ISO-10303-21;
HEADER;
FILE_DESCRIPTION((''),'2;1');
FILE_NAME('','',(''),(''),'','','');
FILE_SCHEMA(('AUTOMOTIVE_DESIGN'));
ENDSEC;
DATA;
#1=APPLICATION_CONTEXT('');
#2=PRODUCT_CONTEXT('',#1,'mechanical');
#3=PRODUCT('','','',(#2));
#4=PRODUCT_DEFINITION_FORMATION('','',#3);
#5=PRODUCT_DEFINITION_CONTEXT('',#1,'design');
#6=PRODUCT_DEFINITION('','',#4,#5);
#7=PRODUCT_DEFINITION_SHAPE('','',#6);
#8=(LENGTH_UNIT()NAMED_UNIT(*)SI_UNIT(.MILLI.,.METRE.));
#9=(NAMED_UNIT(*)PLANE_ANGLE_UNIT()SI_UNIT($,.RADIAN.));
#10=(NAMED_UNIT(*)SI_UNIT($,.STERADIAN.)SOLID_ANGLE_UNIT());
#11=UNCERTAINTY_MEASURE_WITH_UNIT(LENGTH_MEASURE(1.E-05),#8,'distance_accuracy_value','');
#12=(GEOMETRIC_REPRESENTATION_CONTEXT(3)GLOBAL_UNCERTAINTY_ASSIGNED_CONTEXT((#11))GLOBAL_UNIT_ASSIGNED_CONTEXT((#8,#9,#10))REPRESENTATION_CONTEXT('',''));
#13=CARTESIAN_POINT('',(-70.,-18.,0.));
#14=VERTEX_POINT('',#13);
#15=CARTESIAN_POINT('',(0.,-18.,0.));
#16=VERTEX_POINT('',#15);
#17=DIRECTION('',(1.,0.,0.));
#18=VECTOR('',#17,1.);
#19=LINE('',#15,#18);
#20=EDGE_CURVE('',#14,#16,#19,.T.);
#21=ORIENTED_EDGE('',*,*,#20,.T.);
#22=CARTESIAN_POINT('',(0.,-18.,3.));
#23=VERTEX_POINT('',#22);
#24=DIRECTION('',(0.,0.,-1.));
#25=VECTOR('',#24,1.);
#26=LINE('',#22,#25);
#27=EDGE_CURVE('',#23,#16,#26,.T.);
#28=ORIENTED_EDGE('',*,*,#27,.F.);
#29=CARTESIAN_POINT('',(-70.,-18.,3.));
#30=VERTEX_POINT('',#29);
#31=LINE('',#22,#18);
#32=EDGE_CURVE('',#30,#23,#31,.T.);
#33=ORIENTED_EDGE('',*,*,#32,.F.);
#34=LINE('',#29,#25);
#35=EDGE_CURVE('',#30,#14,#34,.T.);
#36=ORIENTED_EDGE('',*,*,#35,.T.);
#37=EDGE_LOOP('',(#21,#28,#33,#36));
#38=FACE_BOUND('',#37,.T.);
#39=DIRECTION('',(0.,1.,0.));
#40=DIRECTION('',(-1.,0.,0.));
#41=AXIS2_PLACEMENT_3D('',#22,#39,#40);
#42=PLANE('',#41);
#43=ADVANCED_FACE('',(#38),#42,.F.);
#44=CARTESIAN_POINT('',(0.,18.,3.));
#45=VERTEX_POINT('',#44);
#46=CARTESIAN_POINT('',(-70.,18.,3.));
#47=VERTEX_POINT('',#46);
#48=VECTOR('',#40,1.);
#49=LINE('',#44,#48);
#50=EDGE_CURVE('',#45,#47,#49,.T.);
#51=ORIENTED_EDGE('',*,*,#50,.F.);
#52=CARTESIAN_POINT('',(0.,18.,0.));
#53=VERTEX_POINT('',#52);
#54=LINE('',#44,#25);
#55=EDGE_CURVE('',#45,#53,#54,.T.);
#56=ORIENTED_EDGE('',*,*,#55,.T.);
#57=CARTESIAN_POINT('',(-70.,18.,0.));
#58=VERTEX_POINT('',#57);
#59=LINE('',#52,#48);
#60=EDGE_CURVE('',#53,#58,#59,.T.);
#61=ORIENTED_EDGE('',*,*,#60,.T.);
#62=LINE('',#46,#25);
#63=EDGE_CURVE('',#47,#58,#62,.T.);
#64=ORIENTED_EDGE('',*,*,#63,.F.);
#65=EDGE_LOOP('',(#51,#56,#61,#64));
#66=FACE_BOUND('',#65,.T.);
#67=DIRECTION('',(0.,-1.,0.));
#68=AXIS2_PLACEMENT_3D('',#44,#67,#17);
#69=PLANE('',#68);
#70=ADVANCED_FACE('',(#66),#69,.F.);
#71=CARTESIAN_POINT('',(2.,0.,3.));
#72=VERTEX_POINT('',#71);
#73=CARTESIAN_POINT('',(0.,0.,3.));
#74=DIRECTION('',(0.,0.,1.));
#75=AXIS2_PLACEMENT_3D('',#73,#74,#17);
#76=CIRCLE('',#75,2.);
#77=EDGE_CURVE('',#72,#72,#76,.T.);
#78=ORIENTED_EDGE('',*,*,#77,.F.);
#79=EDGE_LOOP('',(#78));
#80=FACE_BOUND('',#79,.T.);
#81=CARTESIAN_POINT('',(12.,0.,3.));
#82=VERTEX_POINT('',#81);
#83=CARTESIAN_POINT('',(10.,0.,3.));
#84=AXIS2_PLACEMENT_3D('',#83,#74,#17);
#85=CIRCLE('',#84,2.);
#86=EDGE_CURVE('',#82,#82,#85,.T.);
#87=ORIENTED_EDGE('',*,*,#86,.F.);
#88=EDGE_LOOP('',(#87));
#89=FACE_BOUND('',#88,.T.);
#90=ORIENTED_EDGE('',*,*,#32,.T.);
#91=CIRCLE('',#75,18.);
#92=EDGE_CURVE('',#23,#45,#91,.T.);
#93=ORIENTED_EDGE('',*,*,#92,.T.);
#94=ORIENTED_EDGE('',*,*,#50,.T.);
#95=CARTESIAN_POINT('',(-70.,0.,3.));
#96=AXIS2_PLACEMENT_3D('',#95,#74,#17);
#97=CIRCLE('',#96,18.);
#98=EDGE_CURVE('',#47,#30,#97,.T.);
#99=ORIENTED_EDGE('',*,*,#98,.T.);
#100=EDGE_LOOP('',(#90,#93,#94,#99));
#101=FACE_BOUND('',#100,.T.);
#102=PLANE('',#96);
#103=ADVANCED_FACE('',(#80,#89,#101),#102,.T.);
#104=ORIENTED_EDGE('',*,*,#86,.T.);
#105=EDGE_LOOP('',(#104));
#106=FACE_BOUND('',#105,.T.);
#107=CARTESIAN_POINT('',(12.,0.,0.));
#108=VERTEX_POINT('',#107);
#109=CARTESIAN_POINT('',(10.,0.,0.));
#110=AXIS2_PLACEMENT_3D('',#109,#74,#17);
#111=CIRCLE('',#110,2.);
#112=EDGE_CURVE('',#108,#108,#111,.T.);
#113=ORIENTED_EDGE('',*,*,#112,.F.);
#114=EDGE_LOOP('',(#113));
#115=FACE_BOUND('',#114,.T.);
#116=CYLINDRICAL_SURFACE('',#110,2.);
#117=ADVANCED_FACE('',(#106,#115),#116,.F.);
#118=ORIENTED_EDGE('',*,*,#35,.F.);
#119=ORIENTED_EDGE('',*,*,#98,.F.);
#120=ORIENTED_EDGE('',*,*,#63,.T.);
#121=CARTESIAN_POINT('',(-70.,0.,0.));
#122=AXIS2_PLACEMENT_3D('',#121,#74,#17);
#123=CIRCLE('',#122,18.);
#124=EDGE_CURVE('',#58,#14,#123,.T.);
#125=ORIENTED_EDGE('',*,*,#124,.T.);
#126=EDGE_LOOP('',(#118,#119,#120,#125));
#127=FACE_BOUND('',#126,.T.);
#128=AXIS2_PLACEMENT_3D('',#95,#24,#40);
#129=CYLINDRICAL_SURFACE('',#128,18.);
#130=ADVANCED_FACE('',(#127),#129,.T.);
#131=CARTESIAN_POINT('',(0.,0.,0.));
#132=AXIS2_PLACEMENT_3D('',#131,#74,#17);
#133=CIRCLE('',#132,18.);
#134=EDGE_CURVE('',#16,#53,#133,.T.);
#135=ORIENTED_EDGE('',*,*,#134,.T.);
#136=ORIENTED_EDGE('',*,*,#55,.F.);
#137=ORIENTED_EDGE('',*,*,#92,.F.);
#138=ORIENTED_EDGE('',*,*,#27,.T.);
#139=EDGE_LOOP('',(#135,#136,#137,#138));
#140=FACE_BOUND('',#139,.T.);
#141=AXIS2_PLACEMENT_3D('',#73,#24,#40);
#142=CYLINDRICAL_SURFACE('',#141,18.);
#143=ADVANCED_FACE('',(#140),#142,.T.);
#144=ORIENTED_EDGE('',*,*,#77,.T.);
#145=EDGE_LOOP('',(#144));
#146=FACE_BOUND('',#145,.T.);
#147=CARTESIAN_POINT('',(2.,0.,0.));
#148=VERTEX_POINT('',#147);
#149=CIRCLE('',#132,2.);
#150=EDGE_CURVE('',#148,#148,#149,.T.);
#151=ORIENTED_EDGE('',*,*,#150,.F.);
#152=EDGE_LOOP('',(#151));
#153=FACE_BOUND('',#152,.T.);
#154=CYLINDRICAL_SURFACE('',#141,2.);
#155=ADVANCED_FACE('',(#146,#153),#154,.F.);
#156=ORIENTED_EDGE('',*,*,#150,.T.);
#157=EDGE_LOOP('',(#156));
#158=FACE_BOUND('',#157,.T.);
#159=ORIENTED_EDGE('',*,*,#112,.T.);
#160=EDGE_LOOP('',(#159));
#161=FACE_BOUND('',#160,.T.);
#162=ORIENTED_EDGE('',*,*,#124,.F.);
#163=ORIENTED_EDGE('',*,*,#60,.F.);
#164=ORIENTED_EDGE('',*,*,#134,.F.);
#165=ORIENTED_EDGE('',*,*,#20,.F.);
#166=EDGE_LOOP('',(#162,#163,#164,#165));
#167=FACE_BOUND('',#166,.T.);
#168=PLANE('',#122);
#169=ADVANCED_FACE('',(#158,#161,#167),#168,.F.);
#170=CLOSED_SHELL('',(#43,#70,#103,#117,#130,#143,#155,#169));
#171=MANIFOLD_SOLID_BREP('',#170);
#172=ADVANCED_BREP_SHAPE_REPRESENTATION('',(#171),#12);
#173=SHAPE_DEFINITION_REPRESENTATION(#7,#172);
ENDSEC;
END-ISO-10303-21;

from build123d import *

# Parameters (mm, degrees)
SKETCH1_R           = 2
BOSS_EXTRUDE1_DEPTH = 3
SKETCH3_R           = 2
CUT_EXTRUDE1_DEPTH  = 3


with BuildPart() as part:
    # Sketch1 → Boss-Extrude1 (new body)
    with BuildSketch(Plane.XY):
        with BuildLine():
            Line((0, 18), (-70, 18))
            ThreePointArc((-70, 18), (-88, 0), (-70, -18))
            Line((-70, -18), (0, -18))
            ThreePointArc((0, -18), (18, 0), (0, 18))
        make_face()
        Circle(SKETCH1_R, mode=Mode.SUBTRACT)
    extrude(amount=BOSS_EXTRUDE1_DEPTH)

    # Sketch3 → Cut-Extrude1 (cut)
    with BuildSketch(Plane.XY.offset(3)):
        with Locations((10, 0)):
            Circle(SKETCH3_R)
    extrude(amount=-CUT_EXTRUDE1_DEPTH, mode=Mode.SUBTRACT)


solid = part.part
